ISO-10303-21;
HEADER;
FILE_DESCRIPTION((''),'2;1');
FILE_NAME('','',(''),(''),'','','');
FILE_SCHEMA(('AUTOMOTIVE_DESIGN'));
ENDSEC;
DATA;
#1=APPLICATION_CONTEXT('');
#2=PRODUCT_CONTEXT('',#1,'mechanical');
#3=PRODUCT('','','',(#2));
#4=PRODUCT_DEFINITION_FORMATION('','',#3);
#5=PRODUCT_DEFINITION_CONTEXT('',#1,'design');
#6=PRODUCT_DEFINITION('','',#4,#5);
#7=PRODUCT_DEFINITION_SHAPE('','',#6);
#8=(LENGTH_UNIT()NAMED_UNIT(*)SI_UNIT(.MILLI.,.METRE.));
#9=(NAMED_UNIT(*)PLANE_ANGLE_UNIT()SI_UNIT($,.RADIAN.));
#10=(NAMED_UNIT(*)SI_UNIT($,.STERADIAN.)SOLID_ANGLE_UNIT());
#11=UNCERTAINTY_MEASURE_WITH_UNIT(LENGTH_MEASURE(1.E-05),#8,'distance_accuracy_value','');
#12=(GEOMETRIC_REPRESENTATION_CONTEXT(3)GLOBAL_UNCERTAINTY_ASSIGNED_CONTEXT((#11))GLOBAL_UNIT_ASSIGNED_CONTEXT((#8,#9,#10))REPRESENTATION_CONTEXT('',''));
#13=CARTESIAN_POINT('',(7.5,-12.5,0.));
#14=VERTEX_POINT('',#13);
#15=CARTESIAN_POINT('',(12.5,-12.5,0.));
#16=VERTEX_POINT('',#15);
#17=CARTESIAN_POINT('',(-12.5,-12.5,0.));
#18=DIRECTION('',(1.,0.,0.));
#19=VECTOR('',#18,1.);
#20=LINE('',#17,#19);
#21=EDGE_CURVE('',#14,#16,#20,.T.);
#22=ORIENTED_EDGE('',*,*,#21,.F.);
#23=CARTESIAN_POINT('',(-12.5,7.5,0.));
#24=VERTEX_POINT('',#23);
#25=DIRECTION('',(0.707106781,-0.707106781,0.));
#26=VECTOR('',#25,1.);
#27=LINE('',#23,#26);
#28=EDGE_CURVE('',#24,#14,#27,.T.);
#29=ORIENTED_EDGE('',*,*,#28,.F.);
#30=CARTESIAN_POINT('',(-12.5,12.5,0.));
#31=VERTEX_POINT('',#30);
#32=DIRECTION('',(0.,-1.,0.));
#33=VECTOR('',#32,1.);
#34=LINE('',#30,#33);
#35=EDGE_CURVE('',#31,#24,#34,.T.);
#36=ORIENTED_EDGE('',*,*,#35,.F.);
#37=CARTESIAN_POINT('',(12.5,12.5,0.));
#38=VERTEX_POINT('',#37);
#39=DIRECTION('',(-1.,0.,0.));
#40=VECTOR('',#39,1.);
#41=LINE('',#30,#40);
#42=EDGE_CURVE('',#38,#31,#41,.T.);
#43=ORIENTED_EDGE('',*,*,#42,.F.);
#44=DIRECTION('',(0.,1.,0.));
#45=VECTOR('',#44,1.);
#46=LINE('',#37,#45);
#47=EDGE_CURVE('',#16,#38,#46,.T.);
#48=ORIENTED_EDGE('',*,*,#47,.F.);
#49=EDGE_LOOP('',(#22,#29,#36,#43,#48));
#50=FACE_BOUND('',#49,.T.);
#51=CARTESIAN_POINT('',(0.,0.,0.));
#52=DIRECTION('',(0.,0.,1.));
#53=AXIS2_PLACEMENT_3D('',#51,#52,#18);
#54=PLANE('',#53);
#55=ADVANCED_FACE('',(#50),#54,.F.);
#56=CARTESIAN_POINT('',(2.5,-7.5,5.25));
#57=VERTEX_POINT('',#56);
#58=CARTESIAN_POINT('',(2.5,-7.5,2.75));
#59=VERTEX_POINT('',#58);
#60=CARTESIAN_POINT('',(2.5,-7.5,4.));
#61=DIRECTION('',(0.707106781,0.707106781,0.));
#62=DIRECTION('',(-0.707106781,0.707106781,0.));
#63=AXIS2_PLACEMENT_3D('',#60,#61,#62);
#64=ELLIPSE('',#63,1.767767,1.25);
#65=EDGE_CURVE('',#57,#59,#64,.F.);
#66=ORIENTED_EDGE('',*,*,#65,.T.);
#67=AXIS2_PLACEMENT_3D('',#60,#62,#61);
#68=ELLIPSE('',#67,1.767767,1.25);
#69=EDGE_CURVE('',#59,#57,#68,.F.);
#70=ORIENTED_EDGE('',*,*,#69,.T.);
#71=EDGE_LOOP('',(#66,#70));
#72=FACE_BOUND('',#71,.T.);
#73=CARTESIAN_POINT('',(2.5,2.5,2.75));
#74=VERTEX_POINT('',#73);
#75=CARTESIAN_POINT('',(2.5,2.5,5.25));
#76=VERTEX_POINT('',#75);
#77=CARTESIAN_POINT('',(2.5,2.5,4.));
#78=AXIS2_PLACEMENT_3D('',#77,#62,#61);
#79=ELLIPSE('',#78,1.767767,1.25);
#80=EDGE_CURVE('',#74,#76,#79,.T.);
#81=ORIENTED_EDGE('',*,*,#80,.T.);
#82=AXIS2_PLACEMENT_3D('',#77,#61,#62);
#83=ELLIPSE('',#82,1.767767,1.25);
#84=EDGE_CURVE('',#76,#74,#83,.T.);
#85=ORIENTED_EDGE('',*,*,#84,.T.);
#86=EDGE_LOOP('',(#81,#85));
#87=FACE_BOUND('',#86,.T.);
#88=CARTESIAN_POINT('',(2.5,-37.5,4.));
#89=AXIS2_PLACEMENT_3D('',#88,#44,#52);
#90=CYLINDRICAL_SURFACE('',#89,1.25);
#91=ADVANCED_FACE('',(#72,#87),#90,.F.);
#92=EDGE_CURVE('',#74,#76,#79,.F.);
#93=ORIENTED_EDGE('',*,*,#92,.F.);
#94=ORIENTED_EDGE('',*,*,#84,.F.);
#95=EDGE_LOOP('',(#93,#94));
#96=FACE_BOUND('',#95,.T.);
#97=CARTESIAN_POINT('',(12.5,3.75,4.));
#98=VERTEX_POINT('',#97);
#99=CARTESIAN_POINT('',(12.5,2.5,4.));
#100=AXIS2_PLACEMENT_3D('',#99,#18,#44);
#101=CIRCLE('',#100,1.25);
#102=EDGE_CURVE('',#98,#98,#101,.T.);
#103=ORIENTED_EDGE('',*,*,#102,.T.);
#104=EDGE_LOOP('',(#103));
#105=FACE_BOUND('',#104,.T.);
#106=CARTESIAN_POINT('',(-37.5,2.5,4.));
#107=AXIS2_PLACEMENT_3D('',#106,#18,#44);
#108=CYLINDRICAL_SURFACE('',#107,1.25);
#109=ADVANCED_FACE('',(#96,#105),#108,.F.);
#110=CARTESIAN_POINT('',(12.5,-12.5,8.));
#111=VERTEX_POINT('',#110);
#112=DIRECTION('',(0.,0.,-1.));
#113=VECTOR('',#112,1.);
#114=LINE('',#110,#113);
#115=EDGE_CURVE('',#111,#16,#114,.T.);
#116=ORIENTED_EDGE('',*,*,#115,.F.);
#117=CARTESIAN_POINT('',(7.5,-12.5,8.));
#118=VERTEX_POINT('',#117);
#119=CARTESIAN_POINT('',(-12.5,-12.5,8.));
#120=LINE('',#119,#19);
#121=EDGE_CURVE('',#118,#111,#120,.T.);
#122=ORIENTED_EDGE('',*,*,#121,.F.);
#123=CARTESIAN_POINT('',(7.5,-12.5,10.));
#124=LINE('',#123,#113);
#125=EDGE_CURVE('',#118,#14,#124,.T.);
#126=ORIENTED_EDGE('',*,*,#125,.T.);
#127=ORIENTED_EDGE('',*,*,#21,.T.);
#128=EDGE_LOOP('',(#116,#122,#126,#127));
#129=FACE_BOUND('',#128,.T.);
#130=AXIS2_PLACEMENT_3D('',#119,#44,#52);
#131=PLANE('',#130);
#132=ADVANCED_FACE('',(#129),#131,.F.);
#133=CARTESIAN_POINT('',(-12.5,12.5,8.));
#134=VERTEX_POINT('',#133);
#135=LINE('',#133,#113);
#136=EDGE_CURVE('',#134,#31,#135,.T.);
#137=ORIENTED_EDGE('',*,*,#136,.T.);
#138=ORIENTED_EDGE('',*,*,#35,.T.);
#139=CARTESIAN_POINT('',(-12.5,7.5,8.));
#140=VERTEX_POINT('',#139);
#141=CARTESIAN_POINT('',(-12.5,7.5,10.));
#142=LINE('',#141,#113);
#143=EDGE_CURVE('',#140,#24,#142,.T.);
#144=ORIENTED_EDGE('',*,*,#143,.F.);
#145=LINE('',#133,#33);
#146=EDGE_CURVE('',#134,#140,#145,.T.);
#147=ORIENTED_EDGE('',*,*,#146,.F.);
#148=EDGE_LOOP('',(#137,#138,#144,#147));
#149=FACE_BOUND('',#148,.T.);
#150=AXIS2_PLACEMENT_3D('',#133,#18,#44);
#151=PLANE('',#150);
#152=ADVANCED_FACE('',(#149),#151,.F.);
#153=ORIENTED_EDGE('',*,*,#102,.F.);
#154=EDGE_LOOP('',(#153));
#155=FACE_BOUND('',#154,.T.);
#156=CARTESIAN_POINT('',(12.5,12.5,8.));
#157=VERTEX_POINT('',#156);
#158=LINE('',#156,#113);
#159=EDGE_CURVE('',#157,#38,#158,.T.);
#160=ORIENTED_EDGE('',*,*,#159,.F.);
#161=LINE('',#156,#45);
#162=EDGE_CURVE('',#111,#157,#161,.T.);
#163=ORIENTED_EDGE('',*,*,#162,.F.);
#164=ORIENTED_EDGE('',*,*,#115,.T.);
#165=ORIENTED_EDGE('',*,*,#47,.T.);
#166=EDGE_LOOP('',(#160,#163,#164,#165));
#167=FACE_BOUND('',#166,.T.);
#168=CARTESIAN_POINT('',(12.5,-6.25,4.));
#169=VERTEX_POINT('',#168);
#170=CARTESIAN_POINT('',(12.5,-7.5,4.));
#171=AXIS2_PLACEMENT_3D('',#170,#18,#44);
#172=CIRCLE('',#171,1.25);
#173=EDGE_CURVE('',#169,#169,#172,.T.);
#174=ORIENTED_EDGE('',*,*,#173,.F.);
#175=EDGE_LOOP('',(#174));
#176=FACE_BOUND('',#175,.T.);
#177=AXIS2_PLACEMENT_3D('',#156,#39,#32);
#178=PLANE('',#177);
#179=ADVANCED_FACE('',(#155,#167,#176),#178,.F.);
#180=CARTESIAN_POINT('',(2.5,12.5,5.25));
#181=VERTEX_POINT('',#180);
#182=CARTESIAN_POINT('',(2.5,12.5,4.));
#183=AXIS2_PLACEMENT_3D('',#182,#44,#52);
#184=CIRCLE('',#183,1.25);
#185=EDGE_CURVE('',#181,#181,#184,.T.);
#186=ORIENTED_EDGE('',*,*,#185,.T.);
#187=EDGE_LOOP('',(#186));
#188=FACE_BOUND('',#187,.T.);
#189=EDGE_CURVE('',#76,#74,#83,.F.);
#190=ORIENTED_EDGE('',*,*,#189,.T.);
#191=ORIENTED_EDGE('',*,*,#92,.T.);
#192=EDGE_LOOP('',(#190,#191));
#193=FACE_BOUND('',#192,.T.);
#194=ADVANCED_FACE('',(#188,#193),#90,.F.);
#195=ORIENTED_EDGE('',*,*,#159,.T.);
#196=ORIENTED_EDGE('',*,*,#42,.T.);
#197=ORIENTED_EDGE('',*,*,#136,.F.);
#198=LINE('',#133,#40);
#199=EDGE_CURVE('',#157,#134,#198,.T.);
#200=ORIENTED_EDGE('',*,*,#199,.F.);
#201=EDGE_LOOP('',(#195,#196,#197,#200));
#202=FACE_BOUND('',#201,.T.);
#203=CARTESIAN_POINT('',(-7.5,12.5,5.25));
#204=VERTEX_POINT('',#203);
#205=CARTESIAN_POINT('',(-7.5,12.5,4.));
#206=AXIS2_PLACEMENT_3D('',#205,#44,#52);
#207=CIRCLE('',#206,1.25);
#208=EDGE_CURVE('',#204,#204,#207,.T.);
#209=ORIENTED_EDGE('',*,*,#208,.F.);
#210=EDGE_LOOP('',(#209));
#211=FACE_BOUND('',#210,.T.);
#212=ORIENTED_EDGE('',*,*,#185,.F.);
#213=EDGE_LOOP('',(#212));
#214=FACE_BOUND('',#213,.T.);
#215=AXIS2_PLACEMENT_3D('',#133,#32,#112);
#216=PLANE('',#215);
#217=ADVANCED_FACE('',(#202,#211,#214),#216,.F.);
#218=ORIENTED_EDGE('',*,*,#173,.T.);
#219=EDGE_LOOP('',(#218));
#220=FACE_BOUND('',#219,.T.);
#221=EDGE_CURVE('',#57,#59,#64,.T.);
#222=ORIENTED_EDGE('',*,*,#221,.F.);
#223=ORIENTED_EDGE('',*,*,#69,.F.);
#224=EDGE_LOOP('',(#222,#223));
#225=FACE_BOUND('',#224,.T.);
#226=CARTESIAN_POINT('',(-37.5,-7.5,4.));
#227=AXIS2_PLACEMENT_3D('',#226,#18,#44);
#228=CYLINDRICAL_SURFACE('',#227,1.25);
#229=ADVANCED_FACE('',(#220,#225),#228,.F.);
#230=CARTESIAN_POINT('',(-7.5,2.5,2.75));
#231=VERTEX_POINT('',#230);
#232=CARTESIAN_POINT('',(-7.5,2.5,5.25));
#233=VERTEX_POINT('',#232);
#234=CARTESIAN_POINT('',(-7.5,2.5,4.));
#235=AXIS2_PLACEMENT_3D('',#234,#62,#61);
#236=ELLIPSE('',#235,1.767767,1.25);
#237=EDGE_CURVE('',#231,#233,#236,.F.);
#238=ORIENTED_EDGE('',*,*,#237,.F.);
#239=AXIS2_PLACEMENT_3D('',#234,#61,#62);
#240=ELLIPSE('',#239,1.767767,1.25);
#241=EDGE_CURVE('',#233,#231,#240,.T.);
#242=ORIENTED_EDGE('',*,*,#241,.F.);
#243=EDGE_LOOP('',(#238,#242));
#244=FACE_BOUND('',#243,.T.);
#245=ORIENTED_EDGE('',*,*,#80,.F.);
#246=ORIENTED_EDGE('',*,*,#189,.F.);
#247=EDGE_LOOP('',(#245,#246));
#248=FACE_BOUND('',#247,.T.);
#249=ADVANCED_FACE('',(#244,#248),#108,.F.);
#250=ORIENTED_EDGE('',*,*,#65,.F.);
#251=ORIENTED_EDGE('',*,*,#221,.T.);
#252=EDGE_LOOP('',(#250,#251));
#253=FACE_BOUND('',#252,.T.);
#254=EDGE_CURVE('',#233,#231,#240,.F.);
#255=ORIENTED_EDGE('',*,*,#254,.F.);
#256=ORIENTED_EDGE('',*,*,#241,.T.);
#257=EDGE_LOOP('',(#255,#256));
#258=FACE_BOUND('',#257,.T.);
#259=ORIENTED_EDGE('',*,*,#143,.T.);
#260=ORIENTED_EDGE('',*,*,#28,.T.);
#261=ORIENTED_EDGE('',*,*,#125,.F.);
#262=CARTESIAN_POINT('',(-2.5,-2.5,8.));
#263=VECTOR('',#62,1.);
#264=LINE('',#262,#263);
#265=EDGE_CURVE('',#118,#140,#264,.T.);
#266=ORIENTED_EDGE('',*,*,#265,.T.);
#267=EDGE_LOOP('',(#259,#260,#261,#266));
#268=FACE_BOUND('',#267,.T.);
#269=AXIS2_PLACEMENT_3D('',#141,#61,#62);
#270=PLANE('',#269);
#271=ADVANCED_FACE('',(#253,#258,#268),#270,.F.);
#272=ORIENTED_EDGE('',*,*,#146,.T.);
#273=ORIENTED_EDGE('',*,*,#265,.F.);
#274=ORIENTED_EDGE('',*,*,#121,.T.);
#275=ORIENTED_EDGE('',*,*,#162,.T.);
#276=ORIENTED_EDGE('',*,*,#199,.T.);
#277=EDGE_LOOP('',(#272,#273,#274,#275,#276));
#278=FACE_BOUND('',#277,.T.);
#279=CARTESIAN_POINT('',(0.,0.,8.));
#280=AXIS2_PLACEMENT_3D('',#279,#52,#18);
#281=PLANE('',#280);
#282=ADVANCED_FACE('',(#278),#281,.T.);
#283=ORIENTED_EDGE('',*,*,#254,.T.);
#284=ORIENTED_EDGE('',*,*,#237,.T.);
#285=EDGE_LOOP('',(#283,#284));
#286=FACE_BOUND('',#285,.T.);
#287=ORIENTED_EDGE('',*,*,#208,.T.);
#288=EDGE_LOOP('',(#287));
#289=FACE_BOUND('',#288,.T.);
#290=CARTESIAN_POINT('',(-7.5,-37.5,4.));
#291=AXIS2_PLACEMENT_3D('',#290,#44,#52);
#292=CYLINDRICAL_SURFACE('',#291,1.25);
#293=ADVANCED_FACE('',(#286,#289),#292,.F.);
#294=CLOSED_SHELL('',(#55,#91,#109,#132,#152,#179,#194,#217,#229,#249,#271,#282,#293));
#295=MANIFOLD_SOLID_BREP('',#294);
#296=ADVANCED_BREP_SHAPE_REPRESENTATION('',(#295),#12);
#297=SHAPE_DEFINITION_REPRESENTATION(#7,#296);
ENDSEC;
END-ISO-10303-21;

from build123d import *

# Parameters (mm, degrees)
SKETCH_1_W          = 25
SKETCH_1_H          = 25
EXTRUDE_1_DEPTH     = 8
SKETCH_2_R          = 1.25
CUT_EXTRUDE_1_DEPTH = 50
SKETCH_3_R          = 1.25
CUT_EXTRUDE_2_DEPTH = 50
CUT_EXTRUDE_4_DEPTH = 10


with BuildPart() as part:
    # Эскиз1 → Бобышка-Вытянуть1 (new body)
    with BuildSketch(Plane.XY):
        Rectangle(SKETCH_1_W, SKETCH_1_H)
    extrude(amount=EXTRUDE_1_DEPTH)

    # Эскиз2 → Вырез-Вытянуть1 (cut)
    with BuildSketch(Plane(origin=(0, 12.5, 0), x_dir=(1, 0, 0), z_dir=(0, 1, 0))):
        with Locations(Location((-7.5, -4, 0), (0, 0, 270))):
            Circle(SKETCH_2_R)
        with Locations(Location((2.5, -4, 0), (0, 0, 270))):
            Circle(SKETCH_2_R)
    extrude(amount=-CUT_EXTRUDE_1_DEPTH, mode=Mode.SUBTRACT)

    # Эскиз3 → Вырез-Вытянуть2 (cut)
    with BuildSketch(Plane(origin=(12.5, 0, 0), x_dir=(0, 0, -1), z_dir=(1, 0, 0))):
        with Locations(Location((-4, 2.5, 0), (0, 0, 90))):
            Circle(SKETCH_3_R)
        with Locations(Location((-4, -7.5, 0), (0, 0, 90))):
            Circle(SKETCH_3_R)
    extrude(amount=-CUT_EXTRUDE_2_DEPTH, mode=Mode.SUBTRACT)

    # Эскиз4 → Вырез-Вытянуть4 (cut)
    with BuildSketch(Plane(origin=(0, 0, 0), x_dir=(-1, 0, 0), z_dir=(0, 0, -1))):
        Polygon((12.5, 7.5), (-7.5, -12.5), (12.5, -12.5), align=None)
    extrude(amount=-CUT_EXTRUDE_4_DEPTH, mode=Mode.SUBTRACT)


solid = part.part
